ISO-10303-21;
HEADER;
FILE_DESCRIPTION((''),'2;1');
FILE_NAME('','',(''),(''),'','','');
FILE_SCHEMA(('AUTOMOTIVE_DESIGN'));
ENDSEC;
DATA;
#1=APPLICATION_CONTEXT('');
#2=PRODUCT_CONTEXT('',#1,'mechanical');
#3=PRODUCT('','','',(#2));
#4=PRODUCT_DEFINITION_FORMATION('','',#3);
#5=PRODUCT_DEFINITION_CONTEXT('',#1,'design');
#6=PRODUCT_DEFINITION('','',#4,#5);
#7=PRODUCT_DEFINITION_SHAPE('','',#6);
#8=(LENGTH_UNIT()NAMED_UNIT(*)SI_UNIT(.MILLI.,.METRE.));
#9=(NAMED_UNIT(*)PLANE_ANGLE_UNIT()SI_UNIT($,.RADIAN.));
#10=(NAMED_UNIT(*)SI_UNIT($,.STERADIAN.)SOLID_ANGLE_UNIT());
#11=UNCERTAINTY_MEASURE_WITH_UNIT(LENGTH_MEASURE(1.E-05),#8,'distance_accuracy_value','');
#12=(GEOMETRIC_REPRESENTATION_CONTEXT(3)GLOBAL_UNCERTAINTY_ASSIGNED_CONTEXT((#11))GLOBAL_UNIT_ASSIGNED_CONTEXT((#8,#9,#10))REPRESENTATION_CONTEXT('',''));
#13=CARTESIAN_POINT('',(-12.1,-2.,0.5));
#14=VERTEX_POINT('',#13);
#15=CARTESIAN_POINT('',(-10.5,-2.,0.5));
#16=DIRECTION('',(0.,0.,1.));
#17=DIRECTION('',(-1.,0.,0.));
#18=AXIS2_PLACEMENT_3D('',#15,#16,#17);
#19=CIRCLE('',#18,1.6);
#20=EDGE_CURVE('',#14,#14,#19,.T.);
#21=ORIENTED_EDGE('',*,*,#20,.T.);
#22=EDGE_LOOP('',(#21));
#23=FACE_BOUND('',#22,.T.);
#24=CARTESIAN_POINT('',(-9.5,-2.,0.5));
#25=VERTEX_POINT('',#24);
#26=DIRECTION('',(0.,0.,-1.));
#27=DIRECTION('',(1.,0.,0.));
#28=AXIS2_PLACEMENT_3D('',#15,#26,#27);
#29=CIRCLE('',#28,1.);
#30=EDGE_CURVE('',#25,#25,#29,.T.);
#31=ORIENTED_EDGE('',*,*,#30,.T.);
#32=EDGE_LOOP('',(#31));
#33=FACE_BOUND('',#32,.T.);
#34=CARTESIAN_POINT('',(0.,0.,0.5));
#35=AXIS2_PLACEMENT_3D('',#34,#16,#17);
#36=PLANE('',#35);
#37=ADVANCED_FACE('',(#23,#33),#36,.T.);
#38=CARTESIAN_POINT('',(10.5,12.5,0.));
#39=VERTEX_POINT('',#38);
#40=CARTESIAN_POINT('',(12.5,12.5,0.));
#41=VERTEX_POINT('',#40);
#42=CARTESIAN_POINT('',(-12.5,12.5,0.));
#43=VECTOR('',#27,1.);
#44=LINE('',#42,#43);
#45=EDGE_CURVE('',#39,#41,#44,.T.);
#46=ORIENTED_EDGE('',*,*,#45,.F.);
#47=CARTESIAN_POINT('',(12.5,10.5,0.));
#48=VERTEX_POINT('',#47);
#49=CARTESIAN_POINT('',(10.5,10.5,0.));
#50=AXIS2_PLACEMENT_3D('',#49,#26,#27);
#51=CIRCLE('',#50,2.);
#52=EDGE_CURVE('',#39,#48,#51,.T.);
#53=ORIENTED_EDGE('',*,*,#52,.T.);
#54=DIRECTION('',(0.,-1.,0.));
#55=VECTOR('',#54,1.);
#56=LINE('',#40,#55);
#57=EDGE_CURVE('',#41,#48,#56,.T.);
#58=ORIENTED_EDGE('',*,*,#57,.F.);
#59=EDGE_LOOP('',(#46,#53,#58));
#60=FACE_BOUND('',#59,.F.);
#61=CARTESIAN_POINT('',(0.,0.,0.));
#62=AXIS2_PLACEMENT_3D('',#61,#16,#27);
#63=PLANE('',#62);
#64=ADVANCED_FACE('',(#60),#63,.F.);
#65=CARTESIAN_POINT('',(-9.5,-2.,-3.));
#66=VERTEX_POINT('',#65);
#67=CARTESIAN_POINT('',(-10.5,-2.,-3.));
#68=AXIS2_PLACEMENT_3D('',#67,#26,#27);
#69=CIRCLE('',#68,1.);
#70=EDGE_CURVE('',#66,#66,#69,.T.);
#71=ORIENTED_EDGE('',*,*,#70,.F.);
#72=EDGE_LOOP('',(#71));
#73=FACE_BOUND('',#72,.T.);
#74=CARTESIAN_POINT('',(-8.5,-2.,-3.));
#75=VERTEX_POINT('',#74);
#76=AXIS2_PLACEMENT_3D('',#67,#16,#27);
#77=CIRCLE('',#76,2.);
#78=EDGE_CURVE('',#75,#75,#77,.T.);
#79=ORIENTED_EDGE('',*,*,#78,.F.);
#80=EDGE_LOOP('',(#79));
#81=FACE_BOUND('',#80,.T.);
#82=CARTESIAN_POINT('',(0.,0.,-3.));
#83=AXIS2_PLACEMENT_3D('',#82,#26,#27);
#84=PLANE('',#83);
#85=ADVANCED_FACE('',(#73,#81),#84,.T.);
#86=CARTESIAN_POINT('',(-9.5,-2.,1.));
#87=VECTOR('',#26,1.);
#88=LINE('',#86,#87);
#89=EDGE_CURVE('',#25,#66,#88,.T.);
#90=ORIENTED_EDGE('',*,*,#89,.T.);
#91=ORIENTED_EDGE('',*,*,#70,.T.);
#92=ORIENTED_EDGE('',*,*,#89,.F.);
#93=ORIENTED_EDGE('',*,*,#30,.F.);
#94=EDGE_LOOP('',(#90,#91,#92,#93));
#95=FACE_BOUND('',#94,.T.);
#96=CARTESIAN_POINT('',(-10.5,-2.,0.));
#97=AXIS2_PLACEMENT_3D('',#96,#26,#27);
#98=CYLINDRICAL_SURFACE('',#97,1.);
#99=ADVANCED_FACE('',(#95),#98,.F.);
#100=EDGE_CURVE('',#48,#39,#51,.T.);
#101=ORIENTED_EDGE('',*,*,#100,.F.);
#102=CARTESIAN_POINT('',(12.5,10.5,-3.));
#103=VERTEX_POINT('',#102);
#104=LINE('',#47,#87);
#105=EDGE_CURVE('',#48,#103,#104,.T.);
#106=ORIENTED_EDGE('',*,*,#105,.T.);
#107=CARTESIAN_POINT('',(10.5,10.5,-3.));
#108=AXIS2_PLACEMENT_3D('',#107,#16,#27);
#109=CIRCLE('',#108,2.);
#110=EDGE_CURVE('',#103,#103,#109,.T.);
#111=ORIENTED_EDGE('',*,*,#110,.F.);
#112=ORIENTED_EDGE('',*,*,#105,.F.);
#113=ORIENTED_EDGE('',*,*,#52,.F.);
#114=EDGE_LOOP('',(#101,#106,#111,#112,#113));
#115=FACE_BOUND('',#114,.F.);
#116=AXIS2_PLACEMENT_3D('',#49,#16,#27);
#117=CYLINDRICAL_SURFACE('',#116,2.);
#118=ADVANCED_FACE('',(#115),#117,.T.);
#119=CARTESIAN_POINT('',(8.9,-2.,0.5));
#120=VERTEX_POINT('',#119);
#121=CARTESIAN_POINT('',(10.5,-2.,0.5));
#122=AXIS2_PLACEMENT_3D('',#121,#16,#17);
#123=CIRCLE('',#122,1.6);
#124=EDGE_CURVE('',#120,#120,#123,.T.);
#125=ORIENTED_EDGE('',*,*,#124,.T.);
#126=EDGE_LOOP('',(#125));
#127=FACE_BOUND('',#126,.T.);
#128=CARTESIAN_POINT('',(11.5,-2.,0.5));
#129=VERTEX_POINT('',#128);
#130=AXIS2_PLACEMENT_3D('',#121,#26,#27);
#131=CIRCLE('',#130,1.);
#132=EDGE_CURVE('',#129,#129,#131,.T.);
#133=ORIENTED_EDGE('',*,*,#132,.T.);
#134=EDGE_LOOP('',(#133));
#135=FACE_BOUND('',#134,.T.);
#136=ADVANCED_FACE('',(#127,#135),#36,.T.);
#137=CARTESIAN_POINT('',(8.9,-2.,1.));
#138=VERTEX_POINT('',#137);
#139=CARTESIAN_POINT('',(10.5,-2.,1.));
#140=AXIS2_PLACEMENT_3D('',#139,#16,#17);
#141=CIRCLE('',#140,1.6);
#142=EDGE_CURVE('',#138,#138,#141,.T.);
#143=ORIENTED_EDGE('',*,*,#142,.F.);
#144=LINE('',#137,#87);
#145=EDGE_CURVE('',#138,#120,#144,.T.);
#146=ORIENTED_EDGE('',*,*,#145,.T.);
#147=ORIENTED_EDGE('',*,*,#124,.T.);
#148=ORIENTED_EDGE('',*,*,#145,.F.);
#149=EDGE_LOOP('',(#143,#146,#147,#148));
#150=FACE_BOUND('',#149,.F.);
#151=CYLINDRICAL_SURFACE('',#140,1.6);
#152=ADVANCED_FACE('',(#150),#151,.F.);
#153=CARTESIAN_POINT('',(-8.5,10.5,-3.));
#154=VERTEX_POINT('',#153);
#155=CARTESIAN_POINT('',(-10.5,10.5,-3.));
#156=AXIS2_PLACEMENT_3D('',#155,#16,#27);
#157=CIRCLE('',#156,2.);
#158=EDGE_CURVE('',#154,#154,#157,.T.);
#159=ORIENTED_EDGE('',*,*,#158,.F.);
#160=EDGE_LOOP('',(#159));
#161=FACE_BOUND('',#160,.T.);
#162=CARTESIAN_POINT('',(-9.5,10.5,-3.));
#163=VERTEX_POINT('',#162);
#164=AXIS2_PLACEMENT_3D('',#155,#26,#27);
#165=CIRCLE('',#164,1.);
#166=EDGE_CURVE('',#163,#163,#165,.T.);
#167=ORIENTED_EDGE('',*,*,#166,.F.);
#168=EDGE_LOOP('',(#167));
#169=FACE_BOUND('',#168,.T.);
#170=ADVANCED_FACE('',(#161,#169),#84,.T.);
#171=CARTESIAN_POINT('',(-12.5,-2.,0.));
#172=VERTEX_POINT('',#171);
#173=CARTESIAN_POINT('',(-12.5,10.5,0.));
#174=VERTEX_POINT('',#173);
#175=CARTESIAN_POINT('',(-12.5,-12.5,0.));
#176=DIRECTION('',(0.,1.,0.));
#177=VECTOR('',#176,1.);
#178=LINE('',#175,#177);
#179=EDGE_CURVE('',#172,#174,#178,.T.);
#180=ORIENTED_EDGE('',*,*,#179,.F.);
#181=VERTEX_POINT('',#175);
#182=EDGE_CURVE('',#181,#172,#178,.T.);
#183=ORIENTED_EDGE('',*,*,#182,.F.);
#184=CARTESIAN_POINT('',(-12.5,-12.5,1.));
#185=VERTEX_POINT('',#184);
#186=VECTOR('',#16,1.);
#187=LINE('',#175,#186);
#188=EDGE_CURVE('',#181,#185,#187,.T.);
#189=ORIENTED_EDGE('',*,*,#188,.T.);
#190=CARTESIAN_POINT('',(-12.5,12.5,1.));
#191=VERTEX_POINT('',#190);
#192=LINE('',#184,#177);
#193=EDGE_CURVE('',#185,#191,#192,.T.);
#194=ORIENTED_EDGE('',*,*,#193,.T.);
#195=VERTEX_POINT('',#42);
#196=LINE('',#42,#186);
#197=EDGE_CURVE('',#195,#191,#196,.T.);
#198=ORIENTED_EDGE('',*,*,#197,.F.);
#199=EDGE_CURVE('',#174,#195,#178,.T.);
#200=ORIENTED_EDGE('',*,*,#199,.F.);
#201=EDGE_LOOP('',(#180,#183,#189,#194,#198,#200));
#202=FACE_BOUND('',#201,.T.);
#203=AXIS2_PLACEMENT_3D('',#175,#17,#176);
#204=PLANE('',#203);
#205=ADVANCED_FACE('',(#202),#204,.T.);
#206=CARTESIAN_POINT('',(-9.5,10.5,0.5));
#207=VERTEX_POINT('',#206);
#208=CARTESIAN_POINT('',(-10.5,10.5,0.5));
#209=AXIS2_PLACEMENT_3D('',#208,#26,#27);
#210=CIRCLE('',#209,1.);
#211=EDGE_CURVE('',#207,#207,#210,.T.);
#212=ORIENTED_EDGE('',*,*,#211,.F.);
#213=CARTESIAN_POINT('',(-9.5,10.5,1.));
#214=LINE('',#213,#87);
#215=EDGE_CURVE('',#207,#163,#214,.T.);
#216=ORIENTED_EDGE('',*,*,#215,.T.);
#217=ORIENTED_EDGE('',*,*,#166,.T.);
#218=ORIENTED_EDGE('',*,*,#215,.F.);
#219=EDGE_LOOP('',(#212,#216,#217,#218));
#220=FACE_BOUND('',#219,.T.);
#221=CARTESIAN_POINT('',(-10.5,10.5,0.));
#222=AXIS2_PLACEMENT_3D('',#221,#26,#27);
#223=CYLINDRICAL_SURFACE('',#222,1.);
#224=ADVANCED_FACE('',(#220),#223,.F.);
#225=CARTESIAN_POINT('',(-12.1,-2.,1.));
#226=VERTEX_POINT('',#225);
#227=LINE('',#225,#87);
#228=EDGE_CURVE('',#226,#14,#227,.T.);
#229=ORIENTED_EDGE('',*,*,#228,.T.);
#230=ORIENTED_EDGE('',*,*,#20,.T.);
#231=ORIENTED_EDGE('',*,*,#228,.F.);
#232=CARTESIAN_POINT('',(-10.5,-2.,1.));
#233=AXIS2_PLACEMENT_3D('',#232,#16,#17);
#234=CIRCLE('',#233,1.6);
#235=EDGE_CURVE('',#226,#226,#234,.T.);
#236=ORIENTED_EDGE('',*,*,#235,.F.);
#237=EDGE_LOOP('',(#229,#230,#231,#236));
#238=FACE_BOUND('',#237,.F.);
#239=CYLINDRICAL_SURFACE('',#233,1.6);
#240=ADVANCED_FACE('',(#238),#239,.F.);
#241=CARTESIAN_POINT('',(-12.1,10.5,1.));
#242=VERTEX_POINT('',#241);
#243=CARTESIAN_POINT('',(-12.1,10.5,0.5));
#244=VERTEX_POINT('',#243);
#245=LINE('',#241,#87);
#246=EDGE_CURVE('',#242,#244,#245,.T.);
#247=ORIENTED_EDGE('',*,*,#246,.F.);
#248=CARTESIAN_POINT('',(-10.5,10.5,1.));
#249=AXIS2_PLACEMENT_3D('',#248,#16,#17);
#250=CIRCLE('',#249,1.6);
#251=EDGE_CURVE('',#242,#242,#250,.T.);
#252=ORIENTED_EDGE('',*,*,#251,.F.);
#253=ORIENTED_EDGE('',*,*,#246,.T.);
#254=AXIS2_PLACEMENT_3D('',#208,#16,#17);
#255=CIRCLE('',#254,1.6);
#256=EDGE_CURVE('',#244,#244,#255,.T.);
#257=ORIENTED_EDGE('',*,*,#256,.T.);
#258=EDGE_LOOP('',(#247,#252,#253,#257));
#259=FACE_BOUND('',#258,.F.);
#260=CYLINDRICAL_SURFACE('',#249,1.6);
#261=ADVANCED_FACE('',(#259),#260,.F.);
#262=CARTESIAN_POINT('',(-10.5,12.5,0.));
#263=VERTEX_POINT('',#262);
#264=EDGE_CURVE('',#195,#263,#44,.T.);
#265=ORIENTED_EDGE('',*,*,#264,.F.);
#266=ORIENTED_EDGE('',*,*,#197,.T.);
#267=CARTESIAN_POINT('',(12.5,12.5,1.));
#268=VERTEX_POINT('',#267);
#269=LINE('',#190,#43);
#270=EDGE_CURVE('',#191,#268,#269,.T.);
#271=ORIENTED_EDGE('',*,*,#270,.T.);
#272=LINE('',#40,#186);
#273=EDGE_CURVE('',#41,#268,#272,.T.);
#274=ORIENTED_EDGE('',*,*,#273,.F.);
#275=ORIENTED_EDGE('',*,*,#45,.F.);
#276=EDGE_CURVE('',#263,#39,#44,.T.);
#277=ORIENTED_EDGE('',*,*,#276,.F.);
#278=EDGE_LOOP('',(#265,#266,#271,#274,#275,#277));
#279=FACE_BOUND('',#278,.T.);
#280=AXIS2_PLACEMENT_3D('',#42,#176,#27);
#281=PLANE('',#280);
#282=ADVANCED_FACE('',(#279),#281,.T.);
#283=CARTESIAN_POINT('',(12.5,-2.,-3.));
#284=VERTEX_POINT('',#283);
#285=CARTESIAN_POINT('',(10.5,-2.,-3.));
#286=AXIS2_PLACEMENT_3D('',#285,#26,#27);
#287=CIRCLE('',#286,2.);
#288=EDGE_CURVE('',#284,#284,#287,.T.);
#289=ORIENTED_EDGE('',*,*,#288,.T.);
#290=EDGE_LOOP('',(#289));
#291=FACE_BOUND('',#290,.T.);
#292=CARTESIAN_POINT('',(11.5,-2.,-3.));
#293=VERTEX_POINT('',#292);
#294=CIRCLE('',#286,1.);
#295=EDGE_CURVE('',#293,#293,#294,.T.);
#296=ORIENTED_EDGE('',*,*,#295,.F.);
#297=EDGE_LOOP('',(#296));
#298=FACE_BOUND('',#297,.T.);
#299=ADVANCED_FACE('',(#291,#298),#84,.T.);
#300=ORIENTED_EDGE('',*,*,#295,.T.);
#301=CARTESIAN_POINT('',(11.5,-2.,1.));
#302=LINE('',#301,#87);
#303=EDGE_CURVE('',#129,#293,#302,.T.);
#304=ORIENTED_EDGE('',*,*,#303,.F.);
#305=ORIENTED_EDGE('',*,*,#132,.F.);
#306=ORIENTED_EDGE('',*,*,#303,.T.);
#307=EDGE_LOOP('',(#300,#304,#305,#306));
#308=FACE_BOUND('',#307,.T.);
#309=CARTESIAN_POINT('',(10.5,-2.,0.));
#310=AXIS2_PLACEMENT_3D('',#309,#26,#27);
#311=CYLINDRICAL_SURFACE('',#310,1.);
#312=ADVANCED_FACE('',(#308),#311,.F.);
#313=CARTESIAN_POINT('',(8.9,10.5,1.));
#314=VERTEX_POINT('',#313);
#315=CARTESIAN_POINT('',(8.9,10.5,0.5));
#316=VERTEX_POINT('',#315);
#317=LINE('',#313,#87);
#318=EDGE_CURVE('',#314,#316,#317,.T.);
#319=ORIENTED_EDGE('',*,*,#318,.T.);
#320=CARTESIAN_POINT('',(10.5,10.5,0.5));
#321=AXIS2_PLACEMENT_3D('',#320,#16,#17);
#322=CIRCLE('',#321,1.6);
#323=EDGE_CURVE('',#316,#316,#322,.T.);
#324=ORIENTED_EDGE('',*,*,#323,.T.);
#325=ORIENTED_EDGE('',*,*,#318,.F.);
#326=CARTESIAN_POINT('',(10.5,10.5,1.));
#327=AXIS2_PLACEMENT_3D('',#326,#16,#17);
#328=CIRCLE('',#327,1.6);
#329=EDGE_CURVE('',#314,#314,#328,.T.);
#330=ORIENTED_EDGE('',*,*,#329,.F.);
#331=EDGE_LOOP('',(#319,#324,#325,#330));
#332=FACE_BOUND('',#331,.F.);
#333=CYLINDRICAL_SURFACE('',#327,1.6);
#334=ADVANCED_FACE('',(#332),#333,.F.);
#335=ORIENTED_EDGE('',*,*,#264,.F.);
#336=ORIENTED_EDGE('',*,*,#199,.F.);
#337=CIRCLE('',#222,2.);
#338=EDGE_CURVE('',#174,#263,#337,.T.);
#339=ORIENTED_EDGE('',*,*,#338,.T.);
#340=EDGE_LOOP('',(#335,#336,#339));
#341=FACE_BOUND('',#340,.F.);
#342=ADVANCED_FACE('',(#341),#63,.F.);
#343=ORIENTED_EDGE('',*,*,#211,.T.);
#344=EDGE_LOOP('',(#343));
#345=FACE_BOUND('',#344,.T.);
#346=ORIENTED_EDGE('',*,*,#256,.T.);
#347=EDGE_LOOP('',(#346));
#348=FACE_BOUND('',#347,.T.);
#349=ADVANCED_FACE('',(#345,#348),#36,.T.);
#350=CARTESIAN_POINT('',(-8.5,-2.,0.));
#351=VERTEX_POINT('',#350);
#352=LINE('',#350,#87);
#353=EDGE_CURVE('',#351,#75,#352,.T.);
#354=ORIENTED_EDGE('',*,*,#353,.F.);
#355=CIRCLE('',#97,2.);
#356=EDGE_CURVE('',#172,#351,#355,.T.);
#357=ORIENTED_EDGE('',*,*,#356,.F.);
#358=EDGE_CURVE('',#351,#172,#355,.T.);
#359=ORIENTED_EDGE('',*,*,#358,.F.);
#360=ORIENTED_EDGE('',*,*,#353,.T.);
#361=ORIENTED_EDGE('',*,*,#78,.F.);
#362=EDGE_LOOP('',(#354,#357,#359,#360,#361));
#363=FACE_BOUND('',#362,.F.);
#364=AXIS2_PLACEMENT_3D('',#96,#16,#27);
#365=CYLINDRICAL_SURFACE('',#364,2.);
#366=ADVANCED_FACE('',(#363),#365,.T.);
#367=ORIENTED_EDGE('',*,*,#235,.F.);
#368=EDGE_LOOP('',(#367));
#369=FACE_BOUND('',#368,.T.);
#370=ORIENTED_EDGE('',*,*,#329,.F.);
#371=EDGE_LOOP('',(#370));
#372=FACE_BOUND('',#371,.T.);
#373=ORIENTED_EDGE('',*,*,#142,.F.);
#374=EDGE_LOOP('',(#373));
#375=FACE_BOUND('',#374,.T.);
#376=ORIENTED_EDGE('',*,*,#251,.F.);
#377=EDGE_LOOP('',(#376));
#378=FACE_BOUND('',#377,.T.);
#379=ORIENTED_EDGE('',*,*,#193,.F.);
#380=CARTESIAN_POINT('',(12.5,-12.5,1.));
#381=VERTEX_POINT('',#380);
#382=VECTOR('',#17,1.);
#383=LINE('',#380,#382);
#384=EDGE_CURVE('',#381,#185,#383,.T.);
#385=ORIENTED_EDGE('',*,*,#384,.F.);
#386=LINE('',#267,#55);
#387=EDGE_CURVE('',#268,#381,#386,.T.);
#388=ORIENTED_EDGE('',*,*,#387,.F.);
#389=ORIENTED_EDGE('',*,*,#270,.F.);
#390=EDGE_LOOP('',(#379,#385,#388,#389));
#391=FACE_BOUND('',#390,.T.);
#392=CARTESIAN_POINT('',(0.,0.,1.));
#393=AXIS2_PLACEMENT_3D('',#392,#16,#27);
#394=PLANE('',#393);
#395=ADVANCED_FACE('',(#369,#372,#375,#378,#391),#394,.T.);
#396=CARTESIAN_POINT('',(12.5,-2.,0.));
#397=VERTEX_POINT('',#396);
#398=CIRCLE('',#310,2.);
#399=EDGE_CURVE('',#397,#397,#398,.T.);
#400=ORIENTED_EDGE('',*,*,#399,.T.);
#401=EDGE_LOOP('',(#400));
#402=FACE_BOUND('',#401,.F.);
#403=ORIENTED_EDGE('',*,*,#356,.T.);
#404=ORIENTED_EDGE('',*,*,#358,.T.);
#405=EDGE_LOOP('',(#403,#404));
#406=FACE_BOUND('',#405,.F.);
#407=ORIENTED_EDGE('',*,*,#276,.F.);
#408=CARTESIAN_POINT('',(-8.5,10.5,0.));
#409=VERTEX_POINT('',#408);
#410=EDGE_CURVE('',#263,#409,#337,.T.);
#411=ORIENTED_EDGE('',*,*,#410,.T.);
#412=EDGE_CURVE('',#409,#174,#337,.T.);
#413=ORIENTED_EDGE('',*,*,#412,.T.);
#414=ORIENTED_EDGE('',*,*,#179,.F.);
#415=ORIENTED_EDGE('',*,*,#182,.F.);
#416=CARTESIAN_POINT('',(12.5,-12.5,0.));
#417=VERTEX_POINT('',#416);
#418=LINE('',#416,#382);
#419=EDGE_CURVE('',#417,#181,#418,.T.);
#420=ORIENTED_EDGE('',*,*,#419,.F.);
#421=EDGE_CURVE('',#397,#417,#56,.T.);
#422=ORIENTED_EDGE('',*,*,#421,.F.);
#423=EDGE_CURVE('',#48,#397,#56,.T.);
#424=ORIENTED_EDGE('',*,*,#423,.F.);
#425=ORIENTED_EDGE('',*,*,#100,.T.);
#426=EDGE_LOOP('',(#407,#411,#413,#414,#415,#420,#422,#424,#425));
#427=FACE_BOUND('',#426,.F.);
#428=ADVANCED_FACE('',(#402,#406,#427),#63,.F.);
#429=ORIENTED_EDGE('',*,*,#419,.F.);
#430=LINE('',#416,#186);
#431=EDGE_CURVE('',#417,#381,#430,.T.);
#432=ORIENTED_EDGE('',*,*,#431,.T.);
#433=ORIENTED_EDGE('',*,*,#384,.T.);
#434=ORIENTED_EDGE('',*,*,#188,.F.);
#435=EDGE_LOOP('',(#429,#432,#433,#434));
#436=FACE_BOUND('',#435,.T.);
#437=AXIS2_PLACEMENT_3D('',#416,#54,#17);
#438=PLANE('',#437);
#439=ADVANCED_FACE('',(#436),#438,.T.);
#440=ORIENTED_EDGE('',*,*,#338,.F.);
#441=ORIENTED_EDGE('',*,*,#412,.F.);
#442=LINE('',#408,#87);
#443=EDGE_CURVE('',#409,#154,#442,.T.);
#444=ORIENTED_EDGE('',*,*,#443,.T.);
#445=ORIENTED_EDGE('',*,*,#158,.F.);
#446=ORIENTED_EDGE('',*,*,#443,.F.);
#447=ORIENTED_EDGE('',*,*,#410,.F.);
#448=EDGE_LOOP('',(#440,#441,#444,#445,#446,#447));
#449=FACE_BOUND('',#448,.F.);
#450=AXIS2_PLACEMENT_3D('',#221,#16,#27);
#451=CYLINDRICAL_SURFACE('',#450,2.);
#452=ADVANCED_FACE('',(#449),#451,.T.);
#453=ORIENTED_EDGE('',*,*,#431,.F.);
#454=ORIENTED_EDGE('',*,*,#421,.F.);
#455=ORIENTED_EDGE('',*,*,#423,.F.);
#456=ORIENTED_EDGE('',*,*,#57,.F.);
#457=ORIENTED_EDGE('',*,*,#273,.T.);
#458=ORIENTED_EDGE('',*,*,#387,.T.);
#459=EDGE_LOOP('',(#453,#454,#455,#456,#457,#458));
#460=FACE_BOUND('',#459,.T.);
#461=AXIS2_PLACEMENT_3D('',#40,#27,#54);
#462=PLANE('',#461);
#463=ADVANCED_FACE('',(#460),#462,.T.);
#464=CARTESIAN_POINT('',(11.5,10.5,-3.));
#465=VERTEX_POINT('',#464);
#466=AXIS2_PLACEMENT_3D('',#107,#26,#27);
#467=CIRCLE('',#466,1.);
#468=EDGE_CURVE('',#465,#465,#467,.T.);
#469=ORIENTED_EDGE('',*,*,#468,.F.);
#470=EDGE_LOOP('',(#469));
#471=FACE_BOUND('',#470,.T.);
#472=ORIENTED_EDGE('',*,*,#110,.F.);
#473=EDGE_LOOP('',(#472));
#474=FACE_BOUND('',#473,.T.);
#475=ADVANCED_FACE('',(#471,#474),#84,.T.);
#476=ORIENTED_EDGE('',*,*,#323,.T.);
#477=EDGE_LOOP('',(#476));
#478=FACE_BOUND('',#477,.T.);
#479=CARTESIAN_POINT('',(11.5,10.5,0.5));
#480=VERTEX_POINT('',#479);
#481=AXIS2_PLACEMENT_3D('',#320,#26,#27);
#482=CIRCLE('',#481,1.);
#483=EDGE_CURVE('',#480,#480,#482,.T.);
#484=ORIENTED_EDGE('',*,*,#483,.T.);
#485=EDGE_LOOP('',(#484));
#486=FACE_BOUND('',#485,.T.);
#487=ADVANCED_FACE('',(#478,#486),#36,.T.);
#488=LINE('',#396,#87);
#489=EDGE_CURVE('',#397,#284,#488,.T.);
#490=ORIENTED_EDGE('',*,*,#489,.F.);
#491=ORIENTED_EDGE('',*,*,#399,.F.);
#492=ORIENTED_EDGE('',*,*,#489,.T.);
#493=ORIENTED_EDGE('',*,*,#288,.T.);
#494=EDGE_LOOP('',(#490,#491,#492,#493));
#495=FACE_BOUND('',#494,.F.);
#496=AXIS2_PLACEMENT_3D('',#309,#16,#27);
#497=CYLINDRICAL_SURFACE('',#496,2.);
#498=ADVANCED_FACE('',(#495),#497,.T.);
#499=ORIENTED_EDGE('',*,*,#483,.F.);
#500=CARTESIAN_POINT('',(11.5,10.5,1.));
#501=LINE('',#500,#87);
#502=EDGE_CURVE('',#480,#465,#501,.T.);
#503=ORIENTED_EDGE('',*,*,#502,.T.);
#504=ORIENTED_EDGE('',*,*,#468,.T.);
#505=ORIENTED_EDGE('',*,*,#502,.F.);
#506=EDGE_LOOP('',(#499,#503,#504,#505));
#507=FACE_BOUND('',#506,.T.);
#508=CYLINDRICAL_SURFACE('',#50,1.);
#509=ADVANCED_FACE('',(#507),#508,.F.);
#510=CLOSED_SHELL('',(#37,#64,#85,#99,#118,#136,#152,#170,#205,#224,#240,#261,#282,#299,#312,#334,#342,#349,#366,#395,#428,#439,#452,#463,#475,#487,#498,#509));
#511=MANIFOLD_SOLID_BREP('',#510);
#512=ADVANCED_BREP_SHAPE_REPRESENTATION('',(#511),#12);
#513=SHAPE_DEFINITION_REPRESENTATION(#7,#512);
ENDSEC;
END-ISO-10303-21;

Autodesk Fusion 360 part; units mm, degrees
sketch "Esquisse1" plane through (0, 0, 0) normal (0, 0, 1) x (1, 0, 0)
  line L0 (-12.5, 12.5) -> (12.5, 12.5)
  line L1 (12.5, 12.5) -> (12.5, -12.5)
  line L2 (12.5, -12.5) -> (-12.5, -12.5)
  line L3 (-12.5, -12.5) -> (-12.5, 12.5)
  circle A0 centre (-10.5, 10.5) radius 1
  circle A1 centre (10.5, 10.5) radius 1
  circle A2 centre (-10.5, -2) radius 1
  circle A3 centre (10.5, -2) radius 1
  dimension "d1" = 25
  dimension "d2" = 25
  dimension "d3" = 12.5
  dimension "d4" = 12.5
  dimension "d5" = 21
  dimension "d6" = 2
  dimension "d7" = 2
  dimension "d8" = 2
  dimension "d9" = 2
  dimension "d10" = 2
  dimension "d11" = 12.5
  dimension "d12" = 12.5
  dimension "d13" = 21
  dimension "d14" = 2
  dimension "d15" = 2
  dimension "d16" = 2
  dimension "d17" = 2
extrude "Extrusion1" add sketch "Esquisse1" along normal blind 1
sketch "Esquisse2" plane through (0, 0, 0) normal (0, 0, -1) x (1, 0, 0)
  circle A0 centre (-10.5, 2) radius 1
  circle A1 centre (10.5, -10.5) radius 1
  circle A2 centre (10.5, 2) radius 1
  circle A3 centre (-10.5, -10.5) radius 1
  line L0 (12.5, 12.5) -> (-12.5, 12.5)
  line L1 (-12.5, 12.5) -> (-12.5, -12.5)
  line L2 (-12.5, -12.5) -> (12.5, -12.5)
  line L3 (12.5, -12.5) -> (12.5, 12.5)
  circle A4 centre (-10.5, -10.5) radius 2
  circle A5 centre (-10.5, 2) radius 2
  circle A6 centre (10.5, 2) radius 2
  circle A7 centre (10.5, -10.5) radius 2
  circle A8 centre (-10.5, 2) radius 1
  circle A9 centre (10.5, 2) radius 1
  circle A10 centre (-10.5, -10.5) radius 1
  circle A11 centre (10.5, -10.5) radius 1
  dimension "d20" = 4
  dimension "d21" = 4
  dimension "d22" = 4
  dimension "d23" = 4
  dimension "d26" = 2
extrude "Extrusion2" add sketch "Esquisse2" along normal blind 3 contours A5 | A6 | A7 | A4
sketch "Esquisse3" plane through (0, 0, 1) normal (0, 0, 1) x (-1, 0, 0)
  circle A0 centre (10.5, 2) radius 1
  circle A1 centre (-10.5, 2) radius 1
  circle A2 centre (-10.5, -10.5) radius 1
  circle A3 centre (10.5, -10.5) radius 1
  line L0 (12.5, 12.5) -> (-12.5, 12.5)
  line L1 (-12.5, 12.5) -> (-12.5, -12.5)
  line L2 (-12.5, -12.5) -> (12.5, -12.5)
  line L3 (12.5, -12.5) -> (12.5, 12.5)
  circle A4 centre (10.5, -10.5) radius 1.6
  circle A5 centre (-10.5, -10.5) radius 1.6
  circle A6 centre (-10.5, 2) radius 1.6
  circle A7 centre (10.5, 2) radius 1.6
  dimension "d27" = 3.2
  dimension "d28" = 3.2
  dimension "d29" = 3.2
  dimension "d30" = 3.2
extrude "Extrusion3" cut sketch "Esquisse3" against normal blind 0.5 contours A4 | A5 | A6 | A7
